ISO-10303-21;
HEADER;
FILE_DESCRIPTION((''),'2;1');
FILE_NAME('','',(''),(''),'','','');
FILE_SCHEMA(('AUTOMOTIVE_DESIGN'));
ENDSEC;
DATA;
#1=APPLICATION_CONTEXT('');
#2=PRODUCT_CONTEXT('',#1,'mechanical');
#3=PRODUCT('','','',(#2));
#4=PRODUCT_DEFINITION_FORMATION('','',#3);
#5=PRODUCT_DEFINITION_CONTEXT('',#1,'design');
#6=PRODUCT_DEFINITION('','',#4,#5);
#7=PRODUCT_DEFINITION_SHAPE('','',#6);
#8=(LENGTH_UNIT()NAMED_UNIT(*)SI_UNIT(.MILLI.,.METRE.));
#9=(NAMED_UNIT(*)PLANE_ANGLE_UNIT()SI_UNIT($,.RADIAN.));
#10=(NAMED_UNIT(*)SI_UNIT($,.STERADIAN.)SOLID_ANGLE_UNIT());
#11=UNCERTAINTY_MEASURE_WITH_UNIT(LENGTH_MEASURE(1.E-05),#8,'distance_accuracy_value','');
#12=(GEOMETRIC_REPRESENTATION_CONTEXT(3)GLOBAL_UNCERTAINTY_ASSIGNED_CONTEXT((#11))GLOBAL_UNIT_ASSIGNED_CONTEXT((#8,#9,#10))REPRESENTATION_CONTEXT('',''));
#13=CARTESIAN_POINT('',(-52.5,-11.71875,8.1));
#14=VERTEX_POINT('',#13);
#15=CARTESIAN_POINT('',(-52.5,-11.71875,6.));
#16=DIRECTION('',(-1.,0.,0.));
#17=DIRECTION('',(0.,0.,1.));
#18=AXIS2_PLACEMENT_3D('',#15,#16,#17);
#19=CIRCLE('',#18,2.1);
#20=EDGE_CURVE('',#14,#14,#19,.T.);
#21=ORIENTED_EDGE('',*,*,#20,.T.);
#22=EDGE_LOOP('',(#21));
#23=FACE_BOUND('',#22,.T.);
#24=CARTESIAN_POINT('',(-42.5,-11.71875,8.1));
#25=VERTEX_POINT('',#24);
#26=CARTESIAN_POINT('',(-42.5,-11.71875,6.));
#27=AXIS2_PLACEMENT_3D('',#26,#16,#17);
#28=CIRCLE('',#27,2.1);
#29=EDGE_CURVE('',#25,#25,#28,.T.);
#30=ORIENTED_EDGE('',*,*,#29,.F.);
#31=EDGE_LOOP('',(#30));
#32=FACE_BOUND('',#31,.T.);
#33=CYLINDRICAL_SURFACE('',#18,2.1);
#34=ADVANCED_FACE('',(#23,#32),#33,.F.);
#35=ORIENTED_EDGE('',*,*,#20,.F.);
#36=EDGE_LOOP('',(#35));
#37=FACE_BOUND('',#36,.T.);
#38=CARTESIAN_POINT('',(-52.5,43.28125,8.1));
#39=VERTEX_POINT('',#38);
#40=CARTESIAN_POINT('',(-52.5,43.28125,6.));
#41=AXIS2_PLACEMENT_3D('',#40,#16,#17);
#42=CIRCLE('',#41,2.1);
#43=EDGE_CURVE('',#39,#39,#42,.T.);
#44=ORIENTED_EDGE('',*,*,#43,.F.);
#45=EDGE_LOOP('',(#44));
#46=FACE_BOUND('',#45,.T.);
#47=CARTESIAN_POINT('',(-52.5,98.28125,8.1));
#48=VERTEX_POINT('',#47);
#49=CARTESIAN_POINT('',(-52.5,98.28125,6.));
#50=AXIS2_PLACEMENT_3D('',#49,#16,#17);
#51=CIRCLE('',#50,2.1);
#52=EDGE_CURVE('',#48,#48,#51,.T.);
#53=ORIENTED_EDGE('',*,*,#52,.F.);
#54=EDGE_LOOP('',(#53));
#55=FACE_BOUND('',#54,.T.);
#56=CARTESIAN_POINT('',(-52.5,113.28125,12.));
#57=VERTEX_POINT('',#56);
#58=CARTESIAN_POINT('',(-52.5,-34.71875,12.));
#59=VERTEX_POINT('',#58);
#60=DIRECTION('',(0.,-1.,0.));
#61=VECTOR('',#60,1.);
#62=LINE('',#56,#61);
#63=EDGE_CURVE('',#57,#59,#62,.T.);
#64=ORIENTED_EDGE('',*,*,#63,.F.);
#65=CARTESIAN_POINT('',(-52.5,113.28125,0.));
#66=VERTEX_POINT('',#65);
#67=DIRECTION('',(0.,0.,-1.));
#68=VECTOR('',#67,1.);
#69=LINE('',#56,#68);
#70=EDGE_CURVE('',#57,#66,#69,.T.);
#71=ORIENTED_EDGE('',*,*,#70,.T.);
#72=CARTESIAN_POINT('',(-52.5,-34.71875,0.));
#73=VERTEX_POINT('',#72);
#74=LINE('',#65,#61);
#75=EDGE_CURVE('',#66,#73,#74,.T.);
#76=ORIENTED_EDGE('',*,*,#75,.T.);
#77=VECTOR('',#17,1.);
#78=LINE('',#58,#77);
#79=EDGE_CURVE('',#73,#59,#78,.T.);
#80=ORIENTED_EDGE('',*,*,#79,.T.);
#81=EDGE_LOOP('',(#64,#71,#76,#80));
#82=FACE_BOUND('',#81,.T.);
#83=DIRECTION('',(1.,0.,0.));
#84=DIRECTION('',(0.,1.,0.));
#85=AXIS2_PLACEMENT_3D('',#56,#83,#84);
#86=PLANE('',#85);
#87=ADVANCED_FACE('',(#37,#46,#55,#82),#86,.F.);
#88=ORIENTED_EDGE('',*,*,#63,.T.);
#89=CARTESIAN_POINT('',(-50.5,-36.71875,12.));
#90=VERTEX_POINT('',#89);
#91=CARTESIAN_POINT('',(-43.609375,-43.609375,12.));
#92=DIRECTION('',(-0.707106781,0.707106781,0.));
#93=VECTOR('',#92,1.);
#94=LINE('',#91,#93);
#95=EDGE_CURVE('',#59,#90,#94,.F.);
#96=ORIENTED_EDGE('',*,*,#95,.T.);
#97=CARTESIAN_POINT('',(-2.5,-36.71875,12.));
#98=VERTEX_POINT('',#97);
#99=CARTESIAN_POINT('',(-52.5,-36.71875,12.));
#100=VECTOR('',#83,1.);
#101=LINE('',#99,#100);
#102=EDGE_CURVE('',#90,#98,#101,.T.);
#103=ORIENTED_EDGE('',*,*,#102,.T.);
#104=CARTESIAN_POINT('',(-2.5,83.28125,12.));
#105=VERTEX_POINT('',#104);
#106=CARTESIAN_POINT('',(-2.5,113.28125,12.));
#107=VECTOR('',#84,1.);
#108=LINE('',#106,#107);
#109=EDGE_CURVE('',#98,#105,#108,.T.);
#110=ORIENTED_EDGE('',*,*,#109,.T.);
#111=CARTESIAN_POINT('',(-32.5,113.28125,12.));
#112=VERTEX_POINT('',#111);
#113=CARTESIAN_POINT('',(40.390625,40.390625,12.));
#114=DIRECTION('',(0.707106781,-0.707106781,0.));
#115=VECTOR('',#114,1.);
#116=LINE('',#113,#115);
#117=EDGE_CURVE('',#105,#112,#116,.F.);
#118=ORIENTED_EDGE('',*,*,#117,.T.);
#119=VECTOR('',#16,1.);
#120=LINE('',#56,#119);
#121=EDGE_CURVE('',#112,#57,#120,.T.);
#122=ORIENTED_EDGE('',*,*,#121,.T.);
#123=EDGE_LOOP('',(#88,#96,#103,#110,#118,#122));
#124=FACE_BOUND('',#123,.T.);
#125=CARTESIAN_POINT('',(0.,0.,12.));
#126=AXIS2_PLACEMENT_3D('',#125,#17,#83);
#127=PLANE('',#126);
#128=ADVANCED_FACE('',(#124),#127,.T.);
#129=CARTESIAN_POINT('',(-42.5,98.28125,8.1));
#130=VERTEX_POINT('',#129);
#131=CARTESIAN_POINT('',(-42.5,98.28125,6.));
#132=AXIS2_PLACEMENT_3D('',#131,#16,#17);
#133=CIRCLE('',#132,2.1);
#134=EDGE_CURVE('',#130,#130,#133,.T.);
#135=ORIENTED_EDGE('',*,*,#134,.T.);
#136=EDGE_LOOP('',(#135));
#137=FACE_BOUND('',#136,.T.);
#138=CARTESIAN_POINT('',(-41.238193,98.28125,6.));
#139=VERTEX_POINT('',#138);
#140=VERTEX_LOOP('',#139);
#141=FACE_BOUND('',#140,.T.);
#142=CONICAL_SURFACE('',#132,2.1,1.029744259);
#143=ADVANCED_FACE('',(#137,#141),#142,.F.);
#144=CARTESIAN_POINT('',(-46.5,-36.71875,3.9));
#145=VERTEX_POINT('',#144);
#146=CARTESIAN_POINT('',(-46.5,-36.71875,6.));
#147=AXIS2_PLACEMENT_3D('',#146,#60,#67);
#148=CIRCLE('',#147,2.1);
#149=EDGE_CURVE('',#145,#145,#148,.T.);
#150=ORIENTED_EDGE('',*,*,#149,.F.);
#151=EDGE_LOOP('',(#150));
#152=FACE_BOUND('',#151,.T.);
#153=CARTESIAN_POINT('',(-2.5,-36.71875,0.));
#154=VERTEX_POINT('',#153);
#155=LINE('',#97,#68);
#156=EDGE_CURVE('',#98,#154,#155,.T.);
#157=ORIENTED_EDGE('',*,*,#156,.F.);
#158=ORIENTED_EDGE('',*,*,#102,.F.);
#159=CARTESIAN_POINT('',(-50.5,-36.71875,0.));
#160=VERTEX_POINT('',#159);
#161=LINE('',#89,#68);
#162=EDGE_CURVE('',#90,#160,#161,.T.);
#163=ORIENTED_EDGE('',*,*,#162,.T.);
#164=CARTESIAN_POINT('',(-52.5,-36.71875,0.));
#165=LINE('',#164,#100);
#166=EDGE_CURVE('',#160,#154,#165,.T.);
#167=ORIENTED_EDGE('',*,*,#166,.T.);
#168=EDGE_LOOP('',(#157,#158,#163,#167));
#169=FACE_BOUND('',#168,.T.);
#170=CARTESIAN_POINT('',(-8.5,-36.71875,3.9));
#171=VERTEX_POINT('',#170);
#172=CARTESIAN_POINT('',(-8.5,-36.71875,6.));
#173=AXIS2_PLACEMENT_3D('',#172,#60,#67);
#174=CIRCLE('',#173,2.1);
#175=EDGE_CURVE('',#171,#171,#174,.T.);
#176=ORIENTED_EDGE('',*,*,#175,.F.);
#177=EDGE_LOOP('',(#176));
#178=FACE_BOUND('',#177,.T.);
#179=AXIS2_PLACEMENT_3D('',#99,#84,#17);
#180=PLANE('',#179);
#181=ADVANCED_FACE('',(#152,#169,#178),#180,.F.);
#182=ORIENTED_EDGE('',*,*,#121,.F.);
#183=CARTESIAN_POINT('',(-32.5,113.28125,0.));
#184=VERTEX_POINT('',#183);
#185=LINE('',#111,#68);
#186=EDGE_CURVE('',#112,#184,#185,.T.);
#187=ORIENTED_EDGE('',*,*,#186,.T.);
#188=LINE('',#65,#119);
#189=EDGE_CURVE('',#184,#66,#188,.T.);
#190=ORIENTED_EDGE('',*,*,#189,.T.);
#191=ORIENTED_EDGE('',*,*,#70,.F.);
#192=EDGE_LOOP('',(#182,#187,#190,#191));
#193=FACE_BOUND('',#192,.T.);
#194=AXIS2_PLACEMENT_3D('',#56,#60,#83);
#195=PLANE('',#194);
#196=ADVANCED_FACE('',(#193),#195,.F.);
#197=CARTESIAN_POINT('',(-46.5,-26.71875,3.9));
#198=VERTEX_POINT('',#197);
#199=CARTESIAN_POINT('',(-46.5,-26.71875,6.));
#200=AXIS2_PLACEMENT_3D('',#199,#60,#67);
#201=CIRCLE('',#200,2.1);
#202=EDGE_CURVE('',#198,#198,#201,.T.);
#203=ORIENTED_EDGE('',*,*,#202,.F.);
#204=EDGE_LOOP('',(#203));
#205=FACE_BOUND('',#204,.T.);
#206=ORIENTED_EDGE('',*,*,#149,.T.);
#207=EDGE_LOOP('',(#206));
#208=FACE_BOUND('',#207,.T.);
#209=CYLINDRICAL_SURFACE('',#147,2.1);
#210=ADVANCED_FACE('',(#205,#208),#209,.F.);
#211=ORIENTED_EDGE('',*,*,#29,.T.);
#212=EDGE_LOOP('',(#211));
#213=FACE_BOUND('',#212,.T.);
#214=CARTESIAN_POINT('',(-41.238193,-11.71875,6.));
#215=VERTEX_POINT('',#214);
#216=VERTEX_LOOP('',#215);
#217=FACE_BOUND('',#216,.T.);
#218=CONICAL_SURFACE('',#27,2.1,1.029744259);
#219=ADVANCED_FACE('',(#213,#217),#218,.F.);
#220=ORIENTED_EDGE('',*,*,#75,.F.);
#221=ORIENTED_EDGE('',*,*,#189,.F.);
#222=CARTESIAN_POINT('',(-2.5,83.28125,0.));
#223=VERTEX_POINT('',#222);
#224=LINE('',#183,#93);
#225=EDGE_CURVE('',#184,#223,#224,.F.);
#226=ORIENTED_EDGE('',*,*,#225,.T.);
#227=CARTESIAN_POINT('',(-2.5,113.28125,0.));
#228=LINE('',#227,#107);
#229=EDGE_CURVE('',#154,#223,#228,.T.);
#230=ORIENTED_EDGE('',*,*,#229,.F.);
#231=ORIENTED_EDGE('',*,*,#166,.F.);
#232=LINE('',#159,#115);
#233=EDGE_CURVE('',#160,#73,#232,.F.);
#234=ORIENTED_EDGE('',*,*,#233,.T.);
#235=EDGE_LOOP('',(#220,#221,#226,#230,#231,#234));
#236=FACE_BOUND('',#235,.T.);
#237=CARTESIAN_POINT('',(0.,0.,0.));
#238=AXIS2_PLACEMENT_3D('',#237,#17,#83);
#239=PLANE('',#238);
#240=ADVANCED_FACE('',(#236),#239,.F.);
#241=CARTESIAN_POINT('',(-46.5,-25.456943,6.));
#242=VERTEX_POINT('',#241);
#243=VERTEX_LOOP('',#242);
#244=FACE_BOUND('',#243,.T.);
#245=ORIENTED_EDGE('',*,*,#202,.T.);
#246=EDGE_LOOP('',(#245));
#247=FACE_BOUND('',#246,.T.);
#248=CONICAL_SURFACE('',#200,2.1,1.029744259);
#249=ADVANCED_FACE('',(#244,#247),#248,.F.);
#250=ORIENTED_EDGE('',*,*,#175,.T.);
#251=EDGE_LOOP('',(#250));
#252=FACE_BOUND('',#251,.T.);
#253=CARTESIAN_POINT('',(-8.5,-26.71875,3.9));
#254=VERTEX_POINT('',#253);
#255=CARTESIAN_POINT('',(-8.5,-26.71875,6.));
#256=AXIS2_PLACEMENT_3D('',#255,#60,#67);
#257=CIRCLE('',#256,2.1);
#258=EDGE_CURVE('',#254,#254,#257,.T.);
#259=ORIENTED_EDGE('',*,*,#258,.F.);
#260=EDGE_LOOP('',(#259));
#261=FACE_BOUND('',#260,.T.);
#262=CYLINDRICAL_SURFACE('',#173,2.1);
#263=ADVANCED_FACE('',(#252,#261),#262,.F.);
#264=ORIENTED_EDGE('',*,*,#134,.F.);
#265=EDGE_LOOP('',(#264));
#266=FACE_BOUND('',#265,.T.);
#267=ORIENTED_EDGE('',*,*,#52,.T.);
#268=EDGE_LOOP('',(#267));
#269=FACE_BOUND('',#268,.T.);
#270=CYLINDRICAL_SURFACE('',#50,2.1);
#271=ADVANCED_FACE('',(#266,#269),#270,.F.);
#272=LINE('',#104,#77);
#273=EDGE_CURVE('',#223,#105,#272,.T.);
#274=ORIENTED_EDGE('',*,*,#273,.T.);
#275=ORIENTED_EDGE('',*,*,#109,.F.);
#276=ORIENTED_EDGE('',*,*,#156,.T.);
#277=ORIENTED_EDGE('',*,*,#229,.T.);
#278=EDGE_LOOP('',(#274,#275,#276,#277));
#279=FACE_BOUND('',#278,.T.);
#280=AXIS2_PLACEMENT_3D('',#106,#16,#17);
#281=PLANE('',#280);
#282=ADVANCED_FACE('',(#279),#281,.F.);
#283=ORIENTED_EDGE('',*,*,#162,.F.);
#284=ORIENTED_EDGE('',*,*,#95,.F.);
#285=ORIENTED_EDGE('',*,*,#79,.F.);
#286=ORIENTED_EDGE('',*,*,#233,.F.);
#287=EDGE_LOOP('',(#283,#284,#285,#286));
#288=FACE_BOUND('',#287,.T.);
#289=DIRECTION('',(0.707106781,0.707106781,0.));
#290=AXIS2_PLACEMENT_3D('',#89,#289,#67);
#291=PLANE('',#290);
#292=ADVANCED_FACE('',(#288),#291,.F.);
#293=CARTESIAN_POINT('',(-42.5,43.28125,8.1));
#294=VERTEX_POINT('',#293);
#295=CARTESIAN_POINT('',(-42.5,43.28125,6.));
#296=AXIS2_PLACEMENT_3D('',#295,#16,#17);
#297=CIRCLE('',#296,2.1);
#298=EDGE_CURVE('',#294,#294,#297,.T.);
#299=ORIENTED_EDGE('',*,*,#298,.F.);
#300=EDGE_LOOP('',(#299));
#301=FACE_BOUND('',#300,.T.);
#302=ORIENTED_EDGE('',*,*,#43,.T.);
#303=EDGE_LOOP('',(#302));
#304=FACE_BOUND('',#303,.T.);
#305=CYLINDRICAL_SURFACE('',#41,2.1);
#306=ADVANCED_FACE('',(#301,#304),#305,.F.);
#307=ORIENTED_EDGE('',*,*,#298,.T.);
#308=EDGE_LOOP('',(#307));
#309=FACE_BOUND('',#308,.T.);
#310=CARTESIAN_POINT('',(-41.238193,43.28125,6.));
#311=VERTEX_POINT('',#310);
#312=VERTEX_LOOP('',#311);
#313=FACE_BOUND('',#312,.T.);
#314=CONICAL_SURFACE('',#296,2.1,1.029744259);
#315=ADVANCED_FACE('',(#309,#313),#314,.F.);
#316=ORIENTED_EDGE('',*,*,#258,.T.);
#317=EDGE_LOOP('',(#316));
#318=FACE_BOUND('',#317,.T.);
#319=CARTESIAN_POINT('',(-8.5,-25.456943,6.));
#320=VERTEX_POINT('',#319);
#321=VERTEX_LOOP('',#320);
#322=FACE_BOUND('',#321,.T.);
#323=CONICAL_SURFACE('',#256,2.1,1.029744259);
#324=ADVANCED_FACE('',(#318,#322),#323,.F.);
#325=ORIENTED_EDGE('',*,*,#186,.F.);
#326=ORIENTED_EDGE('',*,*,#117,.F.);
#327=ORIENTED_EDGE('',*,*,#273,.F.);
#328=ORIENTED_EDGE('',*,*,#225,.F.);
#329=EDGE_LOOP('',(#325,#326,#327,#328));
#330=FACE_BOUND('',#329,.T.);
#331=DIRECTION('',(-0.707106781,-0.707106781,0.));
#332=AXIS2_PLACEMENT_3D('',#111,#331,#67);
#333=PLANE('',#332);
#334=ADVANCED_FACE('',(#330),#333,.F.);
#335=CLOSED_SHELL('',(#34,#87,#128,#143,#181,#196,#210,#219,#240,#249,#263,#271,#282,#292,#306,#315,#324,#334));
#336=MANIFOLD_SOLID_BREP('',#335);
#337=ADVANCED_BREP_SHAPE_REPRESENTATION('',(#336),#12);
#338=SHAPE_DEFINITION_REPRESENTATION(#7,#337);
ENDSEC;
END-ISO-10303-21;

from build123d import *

# Parameters (mm, degrees)
SKETCH1_W             = 50
SKETCH1_H             = 150
BOSS_EXTRUDE1_DEPTH   = 12
M5_TAPPED_HOLE1_D     = 4.2
M5_TAPPED_HOLE1_DEPTH = 10
M5_TAPPED_HOLE1_TIP   = 1.2618073
M5_TAPPED_HOLE2_D     = 4.2
M5_TAPPED_HOLE2_DEPTH = 10
M5_TAPPED_HOLE2_TIP   = 1.2618073
CHAMFER1_SIZE         = 30
CHAMFER2_SIZE         = 2


with BuildPart() as part:
    # Sketch1 → Boss-Extrude1 (new body)
    with BuildSketch(Plane.XY):
        with Locations((-27.5, 38.28125)):
            Rectangle(SKETCH1_W, SKETCH1_H)
    extrude(amount=BOSS_EXTRUDE1_DEPTH)

    # M5 Tapped Hole1
    with Locations(Plane.ZY.offset(52.5)):
        with Locations((6, 98.28125), (6, 43.28125), (6, -11.71875)):
            Hole(M5_TAPPED_HOLE1_D / 2, depth=M5_TAPPED_HOLE1_DEPTH)
            with Locations((0, 0, -(M5_TAPPED_HOLE1_DEPTH + M5_TAPPED_HOLE1_TIP / 2))):  # 118° drill point
                Cone(0, M5_TAPPED_HOLE1_D / 2, M5_TAPPED_HOLE1_TIP, mode=Mode.SUBTRACT)

    # M5 Tapped Hole2
    with Locations(Plane(origin=(0, -36.71875, 0), x_dir=(-1, 0, 0), z_dir=(0, -1, 0))):
        with Locations((46.5, -6), (8.5, -6)):
            Hole(M5_TAPPED_HOLE2_D / 2, depth=M5_TAPPED_HOLE2_DEPTH)
            with Locations((0, 0, -(M5_TAPPED_HOLE2_DEPTH + M5_TAPPED_HOLE2_TIP / 2))):  # 118° drill point
                Cone(0, M5_TAPPED_HOLE2_D / 2, M5_TAPPED_HOLE2_TIP, mode=Mode.SUBTRACT)

    # Chamfer1
    chamfer1_edges = [part.edges().sort_by_distance(p)[0] for p in [
        (-2.5, 113.28125, 6),
    ]]
    chamfer(chamfer1_edges, length=CHAMFER1_SIZE)

    # Chamfer2
    chamfer2_edges = [part.edges().sort_by_distance(p)[0] for p in [
        (-52.5, -36.71875, 6),
    ]]
    chamfer(chamfer2_edges, length=CHAMFER2_SIZE)


solid = part.part
